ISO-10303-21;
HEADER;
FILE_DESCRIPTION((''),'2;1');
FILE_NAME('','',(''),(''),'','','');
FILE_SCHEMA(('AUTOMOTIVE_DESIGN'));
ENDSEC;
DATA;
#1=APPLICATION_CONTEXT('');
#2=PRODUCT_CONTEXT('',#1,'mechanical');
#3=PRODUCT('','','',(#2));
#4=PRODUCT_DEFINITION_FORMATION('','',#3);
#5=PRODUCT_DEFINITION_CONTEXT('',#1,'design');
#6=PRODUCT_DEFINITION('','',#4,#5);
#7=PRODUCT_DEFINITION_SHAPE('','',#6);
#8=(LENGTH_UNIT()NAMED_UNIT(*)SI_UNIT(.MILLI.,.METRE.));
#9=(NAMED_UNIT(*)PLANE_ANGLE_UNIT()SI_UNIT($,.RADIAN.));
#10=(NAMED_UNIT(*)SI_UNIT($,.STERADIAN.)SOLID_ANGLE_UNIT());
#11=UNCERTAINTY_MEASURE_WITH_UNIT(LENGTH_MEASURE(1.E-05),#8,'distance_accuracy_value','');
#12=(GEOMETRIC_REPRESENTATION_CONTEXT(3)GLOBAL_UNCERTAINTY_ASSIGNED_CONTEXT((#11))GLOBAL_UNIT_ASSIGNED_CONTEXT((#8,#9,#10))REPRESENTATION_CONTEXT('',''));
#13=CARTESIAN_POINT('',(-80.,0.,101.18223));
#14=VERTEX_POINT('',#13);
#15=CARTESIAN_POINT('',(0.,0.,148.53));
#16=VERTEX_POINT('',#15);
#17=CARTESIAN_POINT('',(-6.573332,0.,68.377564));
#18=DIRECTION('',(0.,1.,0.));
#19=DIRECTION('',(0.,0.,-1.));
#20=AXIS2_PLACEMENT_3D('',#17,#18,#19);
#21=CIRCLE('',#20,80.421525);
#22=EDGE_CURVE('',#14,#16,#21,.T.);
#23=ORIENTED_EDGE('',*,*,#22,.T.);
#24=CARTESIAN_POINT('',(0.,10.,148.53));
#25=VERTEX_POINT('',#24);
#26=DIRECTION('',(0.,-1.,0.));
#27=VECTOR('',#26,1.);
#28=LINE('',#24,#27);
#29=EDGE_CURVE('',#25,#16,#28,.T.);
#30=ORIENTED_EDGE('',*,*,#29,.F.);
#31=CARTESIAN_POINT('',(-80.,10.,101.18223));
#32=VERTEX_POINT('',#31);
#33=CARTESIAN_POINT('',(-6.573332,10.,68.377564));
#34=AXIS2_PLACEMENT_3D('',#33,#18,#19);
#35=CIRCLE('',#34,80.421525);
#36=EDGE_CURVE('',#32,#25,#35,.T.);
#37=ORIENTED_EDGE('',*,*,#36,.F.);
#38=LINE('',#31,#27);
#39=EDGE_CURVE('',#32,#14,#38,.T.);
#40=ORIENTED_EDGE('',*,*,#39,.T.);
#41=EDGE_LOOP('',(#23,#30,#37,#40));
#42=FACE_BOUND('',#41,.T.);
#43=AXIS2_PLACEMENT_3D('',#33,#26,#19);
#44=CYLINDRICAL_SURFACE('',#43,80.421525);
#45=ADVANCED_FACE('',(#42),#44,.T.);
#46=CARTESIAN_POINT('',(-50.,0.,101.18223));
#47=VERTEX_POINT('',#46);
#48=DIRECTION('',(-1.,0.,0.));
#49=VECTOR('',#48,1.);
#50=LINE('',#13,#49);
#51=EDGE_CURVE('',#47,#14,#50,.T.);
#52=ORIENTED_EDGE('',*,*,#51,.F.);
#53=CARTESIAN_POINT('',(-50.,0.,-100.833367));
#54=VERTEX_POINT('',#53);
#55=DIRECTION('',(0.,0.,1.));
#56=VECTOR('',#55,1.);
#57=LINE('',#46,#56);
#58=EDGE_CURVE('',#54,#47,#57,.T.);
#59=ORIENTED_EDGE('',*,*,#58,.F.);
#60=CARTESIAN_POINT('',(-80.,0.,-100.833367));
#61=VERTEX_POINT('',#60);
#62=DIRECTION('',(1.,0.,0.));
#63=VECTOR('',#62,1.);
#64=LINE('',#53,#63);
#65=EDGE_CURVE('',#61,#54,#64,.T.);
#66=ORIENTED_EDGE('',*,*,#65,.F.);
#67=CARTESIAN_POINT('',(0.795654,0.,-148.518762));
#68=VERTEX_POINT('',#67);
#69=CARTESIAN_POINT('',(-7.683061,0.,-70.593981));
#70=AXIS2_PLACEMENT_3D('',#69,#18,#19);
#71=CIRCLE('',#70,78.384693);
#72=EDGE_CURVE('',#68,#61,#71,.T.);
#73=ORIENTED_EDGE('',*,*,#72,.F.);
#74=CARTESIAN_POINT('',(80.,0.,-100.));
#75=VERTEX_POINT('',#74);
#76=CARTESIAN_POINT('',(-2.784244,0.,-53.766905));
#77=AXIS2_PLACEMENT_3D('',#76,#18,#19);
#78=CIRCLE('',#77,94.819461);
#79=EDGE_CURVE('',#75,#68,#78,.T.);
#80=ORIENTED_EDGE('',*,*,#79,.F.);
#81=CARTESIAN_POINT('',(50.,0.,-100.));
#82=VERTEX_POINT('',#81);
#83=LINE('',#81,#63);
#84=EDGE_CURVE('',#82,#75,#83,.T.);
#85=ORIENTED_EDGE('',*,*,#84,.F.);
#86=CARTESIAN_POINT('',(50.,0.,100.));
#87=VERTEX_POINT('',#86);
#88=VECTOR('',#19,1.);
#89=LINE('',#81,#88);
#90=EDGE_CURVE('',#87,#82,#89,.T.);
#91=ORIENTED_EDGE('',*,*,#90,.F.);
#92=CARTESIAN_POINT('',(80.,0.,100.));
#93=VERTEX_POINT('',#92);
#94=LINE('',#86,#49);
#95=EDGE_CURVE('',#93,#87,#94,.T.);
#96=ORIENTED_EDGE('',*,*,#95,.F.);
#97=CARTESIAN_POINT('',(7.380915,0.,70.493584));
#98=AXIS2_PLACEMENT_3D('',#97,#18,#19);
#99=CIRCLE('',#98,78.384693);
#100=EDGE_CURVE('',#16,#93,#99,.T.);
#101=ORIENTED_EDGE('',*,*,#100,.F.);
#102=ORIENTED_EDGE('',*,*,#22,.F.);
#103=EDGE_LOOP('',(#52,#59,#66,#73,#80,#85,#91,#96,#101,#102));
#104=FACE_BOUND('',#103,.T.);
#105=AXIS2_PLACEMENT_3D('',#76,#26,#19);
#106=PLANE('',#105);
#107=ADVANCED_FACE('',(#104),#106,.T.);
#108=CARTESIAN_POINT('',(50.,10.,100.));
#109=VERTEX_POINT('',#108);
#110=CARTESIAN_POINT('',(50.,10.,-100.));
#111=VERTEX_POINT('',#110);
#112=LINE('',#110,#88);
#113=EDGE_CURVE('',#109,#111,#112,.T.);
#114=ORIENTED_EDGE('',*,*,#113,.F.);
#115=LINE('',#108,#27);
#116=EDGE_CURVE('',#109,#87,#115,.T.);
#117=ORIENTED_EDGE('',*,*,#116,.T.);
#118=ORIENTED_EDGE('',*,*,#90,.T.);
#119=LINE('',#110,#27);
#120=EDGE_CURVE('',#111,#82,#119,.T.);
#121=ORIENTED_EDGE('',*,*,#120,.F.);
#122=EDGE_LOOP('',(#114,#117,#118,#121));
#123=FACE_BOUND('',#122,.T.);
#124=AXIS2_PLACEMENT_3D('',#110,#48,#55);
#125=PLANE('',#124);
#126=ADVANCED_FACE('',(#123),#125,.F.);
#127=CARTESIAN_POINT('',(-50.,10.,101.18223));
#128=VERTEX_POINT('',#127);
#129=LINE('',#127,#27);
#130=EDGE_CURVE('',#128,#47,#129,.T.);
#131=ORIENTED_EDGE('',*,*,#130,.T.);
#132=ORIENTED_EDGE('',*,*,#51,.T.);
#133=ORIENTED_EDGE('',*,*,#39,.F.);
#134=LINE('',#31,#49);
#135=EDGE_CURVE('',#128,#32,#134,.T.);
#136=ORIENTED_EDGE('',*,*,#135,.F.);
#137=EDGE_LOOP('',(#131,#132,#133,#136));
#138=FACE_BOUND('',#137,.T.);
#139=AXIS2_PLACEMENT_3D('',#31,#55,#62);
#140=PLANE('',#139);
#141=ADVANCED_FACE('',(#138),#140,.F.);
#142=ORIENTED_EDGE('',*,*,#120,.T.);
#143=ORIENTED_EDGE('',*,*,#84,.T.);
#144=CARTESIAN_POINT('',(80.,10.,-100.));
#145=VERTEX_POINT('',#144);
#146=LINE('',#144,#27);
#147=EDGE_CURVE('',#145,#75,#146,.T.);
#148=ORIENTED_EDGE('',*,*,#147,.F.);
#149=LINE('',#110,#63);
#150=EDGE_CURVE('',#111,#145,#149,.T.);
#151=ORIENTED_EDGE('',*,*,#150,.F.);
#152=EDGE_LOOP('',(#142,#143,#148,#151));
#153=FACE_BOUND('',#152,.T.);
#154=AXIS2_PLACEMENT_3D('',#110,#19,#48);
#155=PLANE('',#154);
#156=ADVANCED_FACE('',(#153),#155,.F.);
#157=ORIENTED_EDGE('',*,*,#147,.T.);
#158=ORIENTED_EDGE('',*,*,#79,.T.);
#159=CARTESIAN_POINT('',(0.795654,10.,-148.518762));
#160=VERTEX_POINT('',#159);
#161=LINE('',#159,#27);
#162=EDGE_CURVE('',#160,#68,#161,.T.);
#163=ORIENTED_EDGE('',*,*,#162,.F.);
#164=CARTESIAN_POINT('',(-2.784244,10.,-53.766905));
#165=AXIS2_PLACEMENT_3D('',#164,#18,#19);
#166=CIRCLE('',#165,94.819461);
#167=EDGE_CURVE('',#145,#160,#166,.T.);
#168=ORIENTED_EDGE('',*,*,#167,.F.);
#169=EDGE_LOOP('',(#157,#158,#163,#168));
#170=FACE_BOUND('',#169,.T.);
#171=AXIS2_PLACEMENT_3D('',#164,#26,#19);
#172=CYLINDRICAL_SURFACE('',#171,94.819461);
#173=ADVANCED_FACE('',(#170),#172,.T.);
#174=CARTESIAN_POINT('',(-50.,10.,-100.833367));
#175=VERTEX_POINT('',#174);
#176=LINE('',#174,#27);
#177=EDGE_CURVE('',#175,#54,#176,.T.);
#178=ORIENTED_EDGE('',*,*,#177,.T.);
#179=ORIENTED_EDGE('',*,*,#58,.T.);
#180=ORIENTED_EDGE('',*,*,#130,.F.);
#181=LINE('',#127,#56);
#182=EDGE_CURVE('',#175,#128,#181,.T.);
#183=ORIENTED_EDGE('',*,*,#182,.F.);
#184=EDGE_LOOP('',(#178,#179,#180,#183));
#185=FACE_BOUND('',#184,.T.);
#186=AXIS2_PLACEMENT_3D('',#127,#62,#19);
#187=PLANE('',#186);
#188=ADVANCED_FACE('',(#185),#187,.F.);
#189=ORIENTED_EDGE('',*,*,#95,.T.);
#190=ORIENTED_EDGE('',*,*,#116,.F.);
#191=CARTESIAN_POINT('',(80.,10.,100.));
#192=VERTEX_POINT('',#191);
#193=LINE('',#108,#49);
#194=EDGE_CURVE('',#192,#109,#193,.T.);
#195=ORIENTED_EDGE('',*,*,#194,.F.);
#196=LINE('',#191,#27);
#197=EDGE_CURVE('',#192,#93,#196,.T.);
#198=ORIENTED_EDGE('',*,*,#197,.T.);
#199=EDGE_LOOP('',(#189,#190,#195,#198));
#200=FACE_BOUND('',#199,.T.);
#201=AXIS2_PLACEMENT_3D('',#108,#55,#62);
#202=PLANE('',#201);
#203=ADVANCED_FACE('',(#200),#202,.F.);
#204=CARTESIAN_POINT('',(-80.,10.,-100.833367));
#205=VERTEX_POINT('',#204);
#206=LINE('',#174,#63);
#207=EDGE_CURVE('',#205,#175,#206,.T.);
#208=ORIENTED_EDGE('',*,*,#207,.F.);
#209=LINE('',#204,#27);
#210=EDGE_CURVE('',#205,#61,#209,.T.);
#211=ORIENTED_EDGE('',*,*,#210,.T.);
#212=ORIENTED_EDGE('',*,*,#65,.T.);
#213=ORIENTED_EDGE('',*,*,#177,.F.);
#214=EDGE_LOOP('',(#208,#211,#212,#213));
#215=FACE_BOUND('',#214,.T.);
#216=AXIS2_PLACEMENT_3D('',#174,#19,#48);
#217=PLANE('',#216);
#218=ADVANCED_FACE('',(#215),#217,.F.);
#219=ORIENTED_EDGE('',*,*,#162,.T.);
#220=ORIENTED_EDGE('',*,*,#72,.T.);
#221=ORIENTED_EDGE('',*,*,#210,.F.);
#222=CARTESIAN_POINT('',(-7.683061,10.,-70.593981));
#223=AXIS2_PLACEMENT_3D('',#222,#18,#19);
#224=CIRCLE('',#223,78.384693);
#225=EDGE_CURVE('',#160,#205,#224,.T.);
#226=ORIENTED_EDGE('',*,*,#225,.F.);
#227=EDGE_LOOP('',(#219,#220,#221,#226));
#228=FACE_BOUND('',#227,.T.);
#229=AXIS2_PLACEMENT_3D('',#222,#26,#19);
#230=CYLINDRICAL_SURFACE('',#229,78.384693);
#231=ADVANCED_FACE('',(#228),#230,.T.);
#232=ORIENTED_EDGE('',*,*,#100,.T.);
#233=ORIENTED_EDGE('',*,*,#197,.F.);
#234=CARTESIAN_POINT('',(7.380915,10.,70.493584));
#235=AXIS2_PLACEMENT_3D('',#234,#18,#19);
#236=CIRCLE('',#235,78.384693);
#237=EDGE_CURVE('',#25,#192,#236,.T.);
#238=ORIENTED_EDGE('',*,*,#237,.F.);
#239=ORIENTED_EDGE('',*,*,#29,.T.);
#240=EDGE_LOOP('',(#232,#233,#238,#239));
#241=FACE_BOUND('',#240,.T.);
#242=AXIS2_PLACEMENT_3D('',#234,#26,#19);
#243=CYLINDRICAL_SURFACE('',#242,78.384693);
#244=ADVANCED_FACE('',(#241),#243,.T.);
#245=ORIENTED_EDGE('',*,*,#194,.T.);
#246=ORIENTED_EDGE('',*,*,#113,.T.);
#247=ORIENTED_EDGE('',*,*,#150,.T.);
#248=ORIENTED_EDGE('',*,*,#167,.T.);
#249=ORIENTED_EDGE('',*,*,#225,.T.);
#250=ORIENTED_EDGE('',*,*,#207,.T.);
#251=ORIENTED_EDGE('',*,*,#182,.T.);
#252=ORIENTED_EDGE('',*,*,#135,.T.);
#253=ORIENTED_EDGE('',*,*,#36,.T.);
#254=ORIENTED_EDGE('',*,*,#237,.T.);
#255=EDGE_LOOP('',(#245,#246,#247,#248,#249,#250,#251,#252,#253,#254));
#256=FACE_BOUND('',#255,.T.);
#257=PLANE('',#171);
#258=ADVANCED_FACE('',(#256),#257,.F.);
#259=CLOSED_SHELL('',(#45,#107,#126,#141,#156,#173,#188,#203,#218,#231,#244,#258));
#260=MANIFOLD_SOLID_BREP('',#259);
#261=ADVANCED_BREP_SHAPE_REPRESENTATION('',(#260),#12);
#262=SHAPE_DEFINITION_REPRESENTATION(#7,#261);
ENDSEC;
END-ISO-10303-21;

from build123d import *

# Parameters (mm, degrees)
BOSS_EXTRUDE2_DEPTH = 10


with BuildPart() as part:
    # Sketch1 → Boss-Extrude2 (new body)
    with BuildSketch(Plane(origin=(0, 0, 0), x_dir=(1, 0, 0), z_dir=(0, 1, 0))):
        with BuildLine():
            Line((50, 100), (50, -100))
            Line((50, -100), (80, -100))
            ThreePointArc((80, -100), (48.035495612, -137.511232206), (0, -148.53))
            ThreePointArc((0, -148.53), (-47.534227524, -137.586137939), (-80, -101.182229899))
            Line((-80, -101.182229899), (-50, -101.182229899))
            Line((-50, -101.182229899), (-50, 100.833366542))
            Line((-50, 100.833366542), (-80, 100.833366542))
            ThreePointArc((-80, 100.833366542), (-47.524044038, 138.098471025), (0.795654444, 148.518762113))
            ThreePointArc((0.795654444, 148.518762113), (46.745634315, 134.621844661), (80, 100))
            Line((80, 100), (50, 100))
        make_face()
    extrude(amount=BOSS_EXTRUDE2_DEPTH)


solid = part.part
